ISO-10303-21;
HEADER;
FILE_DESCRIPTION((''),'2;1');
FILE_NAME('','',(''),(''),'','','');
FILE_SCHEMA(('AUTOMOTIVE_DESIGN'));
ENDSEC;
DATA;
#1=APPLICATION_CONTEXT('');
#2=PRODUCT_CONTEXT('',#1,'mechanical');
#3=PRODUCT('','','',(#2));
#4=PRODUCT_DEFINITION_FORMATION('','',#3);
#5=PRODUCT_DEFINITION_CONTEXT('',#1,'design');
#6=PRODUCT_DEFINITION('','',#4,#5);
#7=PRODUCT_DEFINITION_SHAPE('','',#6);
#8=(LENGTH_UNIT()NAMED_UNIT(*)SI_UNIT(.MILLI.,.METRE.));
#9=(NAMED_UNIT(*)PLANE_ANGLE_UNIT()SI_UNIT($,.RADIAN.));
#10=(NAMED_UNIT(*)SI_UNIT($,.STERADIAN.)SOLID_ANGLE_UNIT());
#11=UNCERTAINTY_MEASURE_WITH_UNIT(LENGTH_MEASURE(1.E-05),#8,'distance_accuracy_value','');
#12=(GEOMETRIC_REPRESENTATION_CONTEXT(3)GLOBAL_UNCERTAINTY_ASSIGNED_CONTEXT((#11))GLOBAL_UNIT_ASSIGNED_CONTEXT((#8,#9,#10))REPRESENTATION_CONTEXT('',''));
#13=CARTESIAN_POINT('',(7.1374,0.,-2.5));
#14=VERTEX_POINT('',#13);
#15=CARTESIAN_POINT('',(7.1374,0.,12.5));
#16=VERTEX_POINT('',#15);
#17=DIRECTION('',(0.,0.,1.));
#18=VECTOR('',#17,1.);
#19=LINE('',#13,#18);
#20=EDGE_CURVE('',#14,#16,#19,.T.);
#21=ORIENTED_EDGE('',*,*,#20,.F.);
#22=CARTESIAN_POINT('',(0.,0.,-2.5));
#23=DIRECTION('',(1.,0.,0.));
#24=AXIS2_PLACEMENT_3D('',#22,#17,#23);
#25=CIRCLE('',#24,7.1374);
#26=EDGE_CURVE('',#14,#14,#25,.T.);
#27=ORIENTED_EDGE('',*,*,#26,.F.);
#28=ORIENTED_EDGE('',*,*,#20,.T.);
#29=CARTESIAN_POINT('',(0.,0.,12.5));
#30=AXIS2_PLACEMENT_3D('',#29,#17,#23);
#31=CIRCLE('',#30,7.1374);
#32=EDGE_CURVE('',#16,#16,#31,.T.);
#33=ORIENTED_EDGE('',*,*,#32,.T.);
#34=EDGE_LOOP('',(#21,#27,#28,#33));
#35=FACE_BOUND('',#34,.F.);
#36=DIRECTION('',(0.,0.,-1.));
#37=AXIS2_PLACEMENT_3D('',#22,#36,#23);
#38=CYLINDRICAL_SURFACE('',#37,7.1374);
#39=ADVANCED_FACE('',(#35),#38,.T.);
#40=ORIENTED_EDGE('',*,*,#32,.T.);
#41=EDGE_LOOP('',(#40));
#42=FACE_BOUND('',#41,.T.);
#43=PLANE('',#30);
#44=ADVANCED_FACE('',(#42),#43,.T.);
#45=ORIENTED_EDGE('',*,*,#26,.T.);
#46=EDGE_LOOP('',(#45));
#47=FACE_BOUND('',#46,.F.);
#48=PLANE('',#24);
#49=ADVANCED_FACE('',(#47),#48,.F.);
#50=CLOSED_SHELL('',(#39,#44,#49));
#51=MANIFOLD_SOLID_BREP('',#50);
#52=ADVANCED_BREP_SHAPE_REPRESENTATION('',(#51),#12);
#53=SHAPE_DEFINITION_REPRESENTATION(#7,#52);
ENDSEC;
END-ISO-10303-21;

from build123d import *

# Parameters (mm, degrees)
CYLINDER_R     = 7.1374
CYLINDER_DEPTH = 15


with BuildPart() as part:
    # Cylinder → Cylinder (new body)
    with BuildSketch(Plane.XY.offset(-2.5)):
        Circle(CYLINDER_R)
    extrude(amount=CYLINDER_DEPTH)


solid = part.part
